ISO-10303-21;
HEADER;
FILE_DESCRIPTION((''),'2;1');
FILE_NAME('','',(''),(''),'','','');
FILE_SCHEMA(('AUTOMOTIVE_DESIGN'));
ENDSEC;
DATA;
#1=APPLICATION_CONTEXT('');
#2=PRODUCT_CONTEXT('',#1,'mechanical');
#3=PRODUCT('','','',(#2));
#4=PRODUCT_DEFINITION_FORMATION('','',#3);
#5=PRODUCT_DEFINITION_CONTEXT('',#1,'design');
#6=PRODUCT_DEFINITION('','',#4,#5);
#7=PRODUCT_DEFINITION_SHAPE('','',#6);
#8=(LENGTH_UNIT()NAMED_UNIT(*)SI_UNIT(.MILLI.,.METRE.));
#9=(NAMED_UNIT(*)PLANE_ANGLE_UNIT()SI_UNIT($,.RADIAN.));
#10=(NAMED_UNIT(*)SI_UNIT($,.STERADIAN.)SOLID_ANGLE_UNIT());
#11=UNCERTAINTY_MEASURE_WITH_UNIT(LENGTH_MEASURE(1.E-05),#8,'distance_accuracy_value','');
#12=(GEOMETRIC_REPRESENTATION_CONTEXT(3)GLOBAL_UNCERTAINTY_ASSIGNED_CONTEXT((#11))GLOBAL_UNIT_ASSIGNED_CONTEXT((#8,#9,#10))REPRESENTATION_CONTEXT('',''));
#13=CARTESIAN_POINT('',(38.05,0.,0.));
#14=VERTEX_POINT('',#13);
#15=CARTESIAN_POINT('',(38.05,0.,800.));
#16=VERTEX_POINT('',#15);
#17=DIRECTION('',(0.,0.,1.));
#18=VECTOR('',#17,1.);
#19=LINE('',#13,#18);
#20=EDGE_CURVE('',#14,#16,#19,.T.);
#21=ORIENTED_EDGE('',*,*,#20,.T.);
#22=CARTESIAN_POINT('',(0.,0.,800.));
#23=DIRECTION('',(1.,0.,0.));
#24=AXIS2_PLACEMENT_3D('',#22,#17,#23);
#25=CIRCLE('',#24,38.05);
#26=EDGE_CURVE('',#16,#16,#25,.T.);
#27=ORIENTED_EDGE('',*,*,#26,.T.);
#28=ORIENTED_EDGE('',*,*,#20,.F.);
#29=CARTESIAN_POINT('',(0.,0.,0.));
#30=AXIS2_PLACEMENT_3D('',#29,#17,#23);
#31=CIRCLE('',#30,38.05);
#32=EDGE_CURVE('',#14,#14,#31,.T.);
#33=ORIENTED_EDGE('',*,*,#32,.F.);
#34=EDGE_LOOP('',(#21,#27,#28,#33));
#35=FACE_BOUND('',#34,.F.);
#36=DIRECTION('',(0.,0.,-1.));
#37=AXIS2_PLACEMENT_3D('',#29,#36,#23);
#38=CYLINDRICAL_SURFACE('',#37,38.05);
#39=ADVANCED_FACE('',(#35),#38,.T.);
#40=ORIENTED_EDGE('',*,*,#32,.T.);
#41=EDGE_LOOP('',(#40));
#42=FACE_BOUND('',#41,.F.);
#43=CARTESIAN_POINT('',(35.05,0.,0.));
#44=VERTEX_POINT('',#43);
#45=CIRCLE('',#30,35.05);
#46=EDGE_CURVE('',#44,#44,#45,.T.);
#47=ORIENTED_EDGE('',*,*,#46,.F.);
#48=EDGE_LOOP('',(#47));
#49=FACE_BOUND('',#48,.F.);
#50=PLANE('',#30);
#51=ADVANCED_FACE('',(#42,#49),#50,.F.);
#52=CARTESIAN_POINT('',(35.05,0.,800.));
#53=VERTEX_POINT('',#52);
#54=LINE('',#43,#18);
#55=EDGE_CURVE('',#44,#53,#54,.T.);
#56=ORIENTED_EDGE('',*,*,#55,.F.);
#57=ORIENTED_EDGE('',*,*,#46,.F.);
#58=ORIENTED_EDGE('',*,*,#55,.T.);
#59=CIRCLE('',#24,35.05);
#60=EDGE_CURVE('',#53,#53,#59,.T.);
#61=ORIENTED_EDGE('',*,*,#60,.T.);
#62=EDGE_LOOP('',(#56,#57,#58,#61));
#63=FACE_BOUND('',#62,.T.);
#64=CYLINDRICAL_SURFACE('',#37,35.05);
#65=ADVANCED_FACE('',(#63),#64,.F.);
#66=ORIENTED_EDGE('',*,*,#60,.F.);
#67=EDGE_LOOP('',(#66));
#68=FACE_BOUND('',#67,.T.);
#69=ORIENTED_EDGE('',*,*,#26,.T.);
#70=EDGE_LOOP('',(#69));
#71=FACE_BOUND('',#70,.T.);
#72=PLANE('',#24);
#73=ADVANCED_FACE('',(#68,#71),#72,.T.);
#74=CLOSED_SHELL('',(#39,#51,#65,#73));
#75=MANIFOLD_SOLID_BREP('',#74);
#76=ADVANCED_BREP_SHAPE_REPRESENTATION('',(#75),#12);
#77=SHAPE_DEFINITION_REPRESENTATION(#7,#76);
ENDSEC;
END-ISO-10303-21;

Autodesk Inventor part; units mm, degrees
ref_plane "YZ Plane" through (0, 0, 0) normal (1, 0, 0) x (0, 1, 0)
ref_plane "XZ Plane" through (0, 0, 0) normal (0, 1, 0) x (-1, 0, 0)
ref_plane "XY Plane" through (0, 0, 0) normal (0, 0, 1) x (1, 0, 0)
sketch "Sketch1" plane through (0, 0, 0) normal (0, 0, 1) x (1, 0, 0)
  circle A0 centre (0, 0) radius 38.05
  circle A1 centre (0, 0) radius 35.05
  dimension "d0" = 76.1
  dimension "d1" = 3
extrude "Extrusion1" add sketch "Sketch1" along normal blind 800
properties part number "MSC 617 belly tube 17"
